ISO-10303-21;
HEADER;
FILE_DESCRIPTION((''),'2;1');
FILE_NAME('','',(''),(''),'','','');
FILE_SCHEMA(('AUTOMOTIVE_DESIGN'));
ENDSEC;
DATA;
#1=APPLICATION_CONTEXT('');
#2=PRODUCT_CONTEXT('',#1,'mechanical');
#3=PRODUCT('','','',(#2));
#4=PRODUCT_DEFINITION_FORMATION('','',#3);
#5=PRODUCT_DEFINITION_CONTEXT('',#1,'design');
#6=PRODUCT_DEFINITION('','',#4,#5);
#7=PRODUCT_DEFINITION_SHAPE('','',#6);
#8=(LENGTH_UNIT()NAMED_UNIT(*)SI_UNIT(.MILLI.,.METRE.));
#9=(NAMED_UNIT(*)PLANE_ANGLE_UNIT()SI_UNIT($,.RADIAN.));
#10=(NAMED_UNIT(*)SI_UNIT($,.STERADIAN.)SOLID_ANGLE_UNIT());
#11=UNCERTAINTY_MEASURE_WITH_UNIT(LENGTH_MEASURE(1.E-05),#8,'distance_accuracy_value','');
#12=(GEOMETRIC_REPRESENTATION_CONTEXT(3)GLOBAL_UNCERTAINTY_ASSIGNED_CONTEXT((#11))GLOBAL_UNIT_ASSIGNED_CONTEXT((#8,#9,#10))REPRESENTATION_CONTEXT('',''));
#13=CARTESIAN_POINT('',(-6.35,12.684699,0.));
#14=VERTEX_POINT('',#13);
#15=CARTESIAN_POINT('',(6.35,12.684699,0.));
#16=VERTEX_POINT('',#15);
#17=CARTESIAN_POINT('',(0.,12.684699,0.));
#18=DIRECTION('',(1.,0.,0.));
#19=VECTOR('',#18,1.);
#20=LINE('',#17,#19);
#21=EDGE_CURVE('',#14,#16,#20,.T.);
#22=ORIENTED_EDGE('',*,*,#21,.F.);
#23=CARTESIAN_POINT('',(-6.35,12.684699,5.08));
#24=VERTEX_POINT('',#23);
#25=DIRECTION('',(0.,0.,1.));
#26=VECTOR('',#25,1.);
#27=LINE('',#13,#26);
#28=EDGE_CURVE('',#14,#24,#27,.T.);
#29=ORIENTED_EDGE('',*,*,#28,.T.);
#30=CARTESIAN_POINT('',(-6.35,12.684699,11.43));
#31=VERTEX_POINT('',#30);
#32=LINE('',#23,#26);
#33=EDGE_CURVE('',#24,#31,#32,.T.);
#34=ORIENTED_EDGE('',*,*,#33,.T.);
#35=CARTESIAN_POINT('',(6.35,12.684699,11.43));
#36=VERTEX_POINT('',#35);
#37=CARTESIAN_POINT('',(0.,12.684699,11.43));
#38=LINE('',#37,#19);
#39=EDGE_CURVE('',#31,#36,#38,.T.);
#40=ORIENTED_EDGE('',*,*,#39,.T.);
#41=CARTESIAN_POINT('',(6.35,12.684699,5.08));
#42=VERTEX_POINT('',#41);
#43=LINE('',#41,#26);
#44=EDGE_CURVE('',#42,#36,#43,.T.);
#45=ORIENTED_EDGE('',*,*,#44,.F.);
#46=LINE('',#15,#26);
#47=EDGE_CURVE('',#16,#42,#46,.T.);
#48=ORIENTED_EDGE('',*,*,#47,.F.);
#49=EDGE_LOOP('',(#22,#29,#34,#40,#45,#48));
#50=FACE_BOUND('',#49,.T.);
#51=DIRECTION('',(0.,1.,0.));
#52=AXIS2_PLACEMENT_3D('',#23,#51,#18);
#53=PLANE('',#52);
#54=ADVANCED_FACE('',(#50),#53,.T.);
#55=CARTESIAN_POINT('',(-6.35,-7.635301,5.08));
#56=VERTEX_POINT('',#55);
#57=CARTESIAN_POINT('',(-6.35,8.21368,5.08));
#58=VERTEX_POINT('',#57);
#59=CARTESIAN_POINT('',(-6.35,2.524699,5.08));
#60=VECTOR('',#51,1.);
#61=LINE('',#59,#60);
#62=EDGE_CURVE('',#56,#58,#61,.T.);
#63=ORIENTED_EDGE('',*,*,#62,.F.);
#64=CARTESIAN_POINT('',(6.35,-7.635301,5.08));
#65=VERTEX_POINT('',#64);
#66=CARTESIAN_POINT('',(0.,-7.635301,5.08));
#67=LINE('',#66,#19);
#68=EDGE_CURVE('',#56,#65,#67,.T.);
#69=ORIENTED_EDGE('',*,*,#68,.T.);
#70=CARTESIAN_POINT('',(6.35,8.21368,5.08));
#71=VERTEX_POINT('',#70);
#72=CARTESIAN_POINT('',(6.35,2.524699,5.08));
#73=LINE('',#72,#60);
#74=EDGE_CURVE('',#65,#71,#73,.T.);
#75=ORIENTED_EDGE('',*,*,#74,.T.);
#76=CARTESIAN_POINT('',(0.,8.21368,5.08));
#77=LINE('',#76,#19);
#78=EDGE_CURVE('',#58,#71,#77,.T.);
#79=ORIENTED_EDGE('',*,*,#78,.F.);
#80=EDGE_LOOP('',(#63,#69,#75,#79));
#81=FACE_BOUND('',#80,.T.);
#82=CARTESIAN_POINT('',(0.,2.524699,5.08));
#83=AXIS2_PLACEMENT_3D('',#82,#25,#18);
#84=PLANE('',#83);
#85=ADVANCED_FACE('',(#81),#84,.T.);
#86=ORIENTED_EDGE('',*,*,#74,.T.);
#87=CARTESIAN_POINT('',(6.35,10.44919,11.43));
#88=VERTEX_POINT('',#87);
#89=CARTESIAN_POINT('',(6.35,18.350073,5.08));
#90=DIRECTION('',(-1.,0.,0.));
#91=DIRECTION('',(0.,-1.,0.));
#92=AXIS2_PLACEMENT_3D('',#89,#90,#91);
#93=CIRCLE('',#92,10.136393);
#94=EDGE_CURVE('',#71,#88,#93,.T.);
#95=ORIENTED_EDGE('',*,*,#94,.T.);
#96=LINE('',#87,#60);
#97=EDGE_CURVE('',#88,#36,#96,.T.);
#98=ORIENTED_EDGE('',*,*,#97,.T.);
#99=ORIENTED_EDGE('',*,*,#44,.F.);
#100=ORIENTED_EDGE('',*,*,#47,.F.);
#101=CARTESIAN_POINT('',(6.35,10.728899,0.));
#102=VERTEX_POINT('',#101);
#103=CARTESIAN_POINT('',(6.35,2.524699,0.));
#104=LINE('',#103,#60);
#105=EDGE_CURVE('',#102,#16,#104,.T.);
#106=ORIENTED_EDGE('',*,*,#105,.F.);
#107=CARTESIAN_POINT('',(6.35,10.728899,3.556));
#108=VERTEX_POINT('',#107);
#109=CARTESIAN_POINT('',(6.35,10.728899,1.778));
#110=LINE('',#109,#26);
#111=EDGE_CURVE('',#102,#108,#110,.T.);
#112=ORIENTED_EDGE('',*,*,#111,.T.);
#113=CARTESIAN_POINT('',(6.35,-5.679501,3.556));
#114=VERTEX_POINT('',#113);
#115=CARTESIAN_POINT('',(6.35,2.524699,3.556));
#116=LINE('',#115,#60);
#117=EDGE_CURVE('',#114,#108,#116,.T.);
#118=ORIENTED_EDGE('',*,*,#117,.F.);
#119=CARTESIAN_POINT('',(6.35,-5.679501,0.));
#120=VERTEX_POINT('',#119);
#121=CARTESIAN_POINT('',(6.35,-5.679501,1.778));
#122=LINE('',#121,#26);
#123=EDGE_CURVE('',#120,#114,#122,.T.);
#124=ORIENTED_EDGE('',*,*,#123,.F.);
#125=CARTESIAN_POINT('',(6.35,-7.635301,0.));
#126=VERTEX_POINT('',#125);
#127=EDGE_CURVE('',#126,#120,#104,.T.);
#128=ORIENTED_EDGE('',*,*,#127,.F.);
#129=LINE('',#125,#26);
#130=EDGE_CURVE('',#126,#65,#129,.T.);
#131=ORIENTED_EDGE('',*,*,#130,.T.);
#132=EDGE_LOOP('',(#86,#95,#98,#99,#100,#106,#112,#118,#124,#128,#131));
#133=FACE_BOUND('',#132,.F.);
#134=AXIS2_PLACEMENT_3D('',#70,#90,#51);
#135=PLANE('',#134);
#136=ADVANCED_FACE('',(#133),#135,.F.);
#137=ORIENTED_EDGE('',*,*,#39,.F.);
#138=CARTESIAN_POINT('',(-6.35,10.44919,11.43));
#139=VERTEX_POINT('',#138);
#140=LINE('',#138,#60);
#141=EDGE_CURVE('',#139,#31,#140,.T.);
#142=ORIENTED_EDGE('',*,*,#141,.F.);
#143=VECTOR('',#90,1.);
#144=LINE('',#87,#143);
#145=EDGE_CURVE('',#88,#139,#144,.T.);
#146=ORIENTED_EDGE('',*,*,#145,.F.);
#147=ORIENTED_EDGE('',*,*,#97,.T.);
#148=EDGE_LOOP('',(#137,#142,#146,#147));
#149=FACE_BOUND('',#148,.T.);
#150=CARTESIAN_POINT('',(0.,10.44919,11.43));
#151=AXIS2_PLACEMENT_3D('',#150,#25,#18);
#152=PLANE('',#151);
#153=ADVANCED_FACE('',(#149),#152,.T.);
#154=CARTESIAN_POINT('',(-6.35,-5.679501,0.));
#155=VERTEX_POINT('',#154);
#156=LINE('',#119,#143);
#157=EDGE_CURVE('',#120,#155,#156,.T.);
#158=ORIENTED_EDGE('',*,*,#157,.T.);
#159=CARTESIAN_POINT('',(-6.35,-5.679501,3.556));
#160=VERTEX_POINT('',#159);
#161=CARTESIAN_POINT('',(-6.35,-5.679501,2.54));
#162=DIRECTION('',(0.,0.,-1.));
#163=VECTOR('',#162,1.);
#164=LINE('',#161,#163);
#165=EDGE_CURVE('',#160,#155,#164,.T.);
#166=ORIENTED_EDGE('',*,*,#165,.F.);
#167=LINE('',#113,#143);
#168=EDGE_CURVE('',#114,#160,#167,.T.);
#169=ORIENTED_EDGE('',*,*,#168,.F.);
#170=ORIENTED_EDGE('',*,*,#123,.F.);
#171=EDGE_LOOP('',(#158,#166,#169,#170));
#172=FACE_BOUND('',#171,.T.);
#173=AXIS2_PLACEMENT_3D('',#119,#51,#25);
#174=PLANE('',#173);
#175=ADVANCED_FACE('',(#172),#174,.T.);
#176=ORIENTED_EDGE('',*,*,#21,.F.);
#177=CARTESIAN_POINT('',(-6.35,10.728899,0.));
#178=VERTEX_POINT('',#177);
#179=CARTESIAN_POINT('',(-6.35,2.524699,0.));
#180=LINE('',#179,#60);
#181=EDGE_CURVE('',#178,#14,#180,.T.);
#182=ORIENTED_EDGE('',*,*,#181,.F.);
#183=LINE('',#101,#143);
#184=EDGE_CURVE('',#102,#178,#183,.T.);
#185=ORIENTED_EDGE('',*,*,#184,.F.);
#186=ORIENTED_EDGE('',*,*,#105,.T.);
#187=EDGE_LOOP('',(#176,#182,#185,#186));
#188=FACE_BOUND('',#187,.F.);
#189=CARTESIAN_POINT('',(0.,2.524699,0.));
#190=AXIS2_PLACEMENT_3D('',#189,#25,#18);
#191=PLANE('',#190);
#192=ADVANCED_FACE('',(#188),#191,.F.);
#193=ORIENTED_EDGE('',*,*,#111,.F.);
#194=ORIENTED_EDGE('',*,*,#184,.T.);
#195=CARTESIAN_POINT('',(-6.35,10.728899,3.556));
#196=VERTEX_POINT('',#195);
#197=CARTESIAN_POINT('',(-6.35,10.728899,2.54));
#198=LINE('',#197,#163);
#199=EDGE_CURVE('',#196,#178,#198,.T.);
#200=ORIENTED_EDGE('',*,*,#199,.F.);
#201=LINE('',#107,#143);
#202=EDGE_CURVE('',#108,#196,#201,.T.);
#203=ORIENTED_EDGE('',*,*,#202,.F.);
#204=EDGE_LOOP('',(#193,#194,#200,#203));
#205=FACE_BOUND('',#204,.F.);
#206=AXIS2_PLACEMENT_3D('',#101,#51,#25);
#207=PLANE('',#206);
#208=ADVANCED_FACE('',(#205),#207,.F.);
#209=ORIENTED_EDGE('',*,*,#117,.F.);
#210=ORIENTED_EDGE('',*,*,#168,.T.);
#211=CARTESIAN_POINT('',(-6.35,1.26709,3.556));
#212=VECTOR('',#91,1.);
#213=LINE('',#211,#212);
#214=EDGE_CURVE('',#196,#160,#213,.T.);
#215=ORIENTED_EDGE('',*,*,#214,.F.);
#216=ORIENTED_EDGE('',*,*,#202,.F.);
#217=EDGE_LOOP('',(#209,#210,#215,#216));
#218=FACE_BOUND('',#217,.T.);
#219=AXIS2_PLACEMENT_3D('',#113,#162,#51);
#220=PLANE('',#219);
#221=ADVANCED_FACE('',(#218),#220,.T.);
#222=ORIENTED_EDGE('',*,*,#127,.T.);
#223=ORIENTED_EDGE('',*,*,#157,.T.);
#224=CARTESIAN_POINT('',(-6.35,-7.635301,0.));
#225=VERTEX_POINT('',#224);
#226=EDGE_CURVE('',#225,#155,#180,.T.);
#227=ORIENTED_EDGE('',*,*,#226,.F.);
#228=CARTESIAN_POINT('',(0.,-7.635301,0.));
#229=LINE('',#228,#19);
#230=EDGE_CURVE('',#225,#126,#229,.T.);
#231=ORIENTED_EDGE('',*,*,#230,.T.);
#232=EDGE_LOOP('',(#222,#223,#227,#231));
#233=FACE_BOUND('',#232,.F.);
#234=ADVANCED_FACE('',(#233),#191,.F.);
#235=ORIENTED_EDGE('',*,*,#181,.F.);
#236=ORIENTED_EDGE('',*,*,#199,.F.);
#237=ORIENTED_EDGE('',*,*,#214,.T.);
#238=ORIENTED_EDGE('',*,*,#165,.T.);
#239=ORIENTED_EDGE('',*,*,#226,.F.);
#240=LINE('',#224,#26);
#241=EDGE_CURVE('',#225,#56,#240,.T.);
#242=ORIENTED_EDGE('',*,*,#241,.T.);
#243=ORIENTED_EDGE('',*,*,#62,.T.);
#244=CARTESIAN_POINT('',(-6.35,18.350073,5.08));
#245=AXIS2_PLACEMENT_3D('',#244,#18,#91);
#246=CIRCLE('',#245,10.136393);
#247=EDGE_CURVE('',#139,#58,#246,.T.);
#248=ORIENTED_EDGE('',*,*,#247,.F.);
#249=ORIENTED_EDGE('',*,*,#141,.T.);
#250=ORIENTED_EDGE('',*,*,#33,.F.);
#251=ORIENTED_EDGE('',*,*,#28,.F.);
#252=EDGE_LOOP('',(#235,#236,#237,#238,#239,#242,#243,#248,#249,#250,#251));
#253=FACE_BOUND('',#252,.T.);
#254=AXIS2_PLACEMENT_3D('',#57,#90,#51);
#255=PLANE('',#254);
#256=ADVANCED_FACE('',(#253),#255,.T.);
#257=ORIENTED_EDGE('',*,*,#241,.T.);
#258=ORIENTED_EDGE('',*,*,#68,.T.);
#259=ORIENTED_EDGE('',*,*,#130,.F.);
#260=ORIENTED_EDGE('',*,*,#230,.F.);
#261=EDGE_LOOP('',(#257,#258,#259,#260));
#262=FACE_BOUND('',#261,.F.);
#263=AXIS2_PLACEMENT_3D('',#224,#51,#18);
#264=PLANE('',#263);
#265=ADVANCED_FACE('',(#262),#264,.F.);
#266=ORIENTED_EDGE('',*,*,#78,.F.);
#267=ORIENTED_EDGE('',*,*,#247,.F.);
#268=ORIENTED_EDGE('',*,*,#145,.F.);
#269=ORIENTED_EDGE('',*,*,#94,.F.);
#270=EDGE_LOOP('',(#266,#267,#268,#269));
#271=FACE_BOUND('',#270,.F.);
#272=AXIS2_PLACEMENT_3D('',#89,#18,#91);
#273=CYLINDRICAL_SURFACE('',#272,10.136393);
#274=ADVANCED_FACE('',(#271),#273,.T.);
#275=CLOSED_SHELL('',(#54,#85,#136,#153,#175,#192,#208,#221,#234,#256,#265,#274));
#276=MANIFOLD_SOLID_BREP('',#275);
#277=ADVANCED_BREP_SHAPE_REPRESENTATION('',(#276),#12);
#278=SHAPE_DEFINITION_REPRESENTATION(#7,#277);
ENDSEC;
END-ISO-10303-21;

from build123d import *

# Parameters (mm, degrees)
F0_W     = 12.7
F0_H     = 20.32
F1_DEPTH = 5.08
F2_W     = 12.7
F2_H     = 4.4710185971
F3_DEPTH = 6.35
F5_DEPTH = 25.4
F6_W     = 16.4084
F6_H     = 3.556
F7_DEPTH = 25.4


with BuildPart() as f1:
    # F0 (on Top) → F1 (new body)
    with BuildSketch(Plane.XY):
        with Locations((0, 2.5246988346)):
            Rectangle(F0_W, F0_H)
    extrude(amount=F1_DEPTH)

    # F2 (on face) → F3 (join)
    with BuildSketch(Plane.XY.offset(5.08)):
        with Locations((0, 10.4491895361)):
            Rectangle(F2_W, F2_H)
    extrude(amount=F3_DEPTH)

    # F4 (on face) → F5 (cut)
    with BuildSketch(Plane.YZ.offset(6.35)):
        with BuildLine():
            ThreePointArc((8.2136802375, 5.08), (8.788877567, 8.4460066037), (10.4491895361, 11.43))
            Line((10.4491895361, 11.43), (8.2136802375, 11.43))
            Line((8.2136802375, 11.43), (8.2136802375, 5.08))
        make_face()
    extrude(amount=-F5_DEPTH, mode=Mode.SUBTRACT)

    # F6 (on face) → F7 (cut)
    with BuildSketch(Plane.YZ.offset(6.35)):
        with Locations((2.5246988346, 1.778)):
            Rectangle(F6_W, F6_H)
    extrude(amount=-F7_DEPTH, mode=Mode.SUBTRACT)


solid = f1.part
